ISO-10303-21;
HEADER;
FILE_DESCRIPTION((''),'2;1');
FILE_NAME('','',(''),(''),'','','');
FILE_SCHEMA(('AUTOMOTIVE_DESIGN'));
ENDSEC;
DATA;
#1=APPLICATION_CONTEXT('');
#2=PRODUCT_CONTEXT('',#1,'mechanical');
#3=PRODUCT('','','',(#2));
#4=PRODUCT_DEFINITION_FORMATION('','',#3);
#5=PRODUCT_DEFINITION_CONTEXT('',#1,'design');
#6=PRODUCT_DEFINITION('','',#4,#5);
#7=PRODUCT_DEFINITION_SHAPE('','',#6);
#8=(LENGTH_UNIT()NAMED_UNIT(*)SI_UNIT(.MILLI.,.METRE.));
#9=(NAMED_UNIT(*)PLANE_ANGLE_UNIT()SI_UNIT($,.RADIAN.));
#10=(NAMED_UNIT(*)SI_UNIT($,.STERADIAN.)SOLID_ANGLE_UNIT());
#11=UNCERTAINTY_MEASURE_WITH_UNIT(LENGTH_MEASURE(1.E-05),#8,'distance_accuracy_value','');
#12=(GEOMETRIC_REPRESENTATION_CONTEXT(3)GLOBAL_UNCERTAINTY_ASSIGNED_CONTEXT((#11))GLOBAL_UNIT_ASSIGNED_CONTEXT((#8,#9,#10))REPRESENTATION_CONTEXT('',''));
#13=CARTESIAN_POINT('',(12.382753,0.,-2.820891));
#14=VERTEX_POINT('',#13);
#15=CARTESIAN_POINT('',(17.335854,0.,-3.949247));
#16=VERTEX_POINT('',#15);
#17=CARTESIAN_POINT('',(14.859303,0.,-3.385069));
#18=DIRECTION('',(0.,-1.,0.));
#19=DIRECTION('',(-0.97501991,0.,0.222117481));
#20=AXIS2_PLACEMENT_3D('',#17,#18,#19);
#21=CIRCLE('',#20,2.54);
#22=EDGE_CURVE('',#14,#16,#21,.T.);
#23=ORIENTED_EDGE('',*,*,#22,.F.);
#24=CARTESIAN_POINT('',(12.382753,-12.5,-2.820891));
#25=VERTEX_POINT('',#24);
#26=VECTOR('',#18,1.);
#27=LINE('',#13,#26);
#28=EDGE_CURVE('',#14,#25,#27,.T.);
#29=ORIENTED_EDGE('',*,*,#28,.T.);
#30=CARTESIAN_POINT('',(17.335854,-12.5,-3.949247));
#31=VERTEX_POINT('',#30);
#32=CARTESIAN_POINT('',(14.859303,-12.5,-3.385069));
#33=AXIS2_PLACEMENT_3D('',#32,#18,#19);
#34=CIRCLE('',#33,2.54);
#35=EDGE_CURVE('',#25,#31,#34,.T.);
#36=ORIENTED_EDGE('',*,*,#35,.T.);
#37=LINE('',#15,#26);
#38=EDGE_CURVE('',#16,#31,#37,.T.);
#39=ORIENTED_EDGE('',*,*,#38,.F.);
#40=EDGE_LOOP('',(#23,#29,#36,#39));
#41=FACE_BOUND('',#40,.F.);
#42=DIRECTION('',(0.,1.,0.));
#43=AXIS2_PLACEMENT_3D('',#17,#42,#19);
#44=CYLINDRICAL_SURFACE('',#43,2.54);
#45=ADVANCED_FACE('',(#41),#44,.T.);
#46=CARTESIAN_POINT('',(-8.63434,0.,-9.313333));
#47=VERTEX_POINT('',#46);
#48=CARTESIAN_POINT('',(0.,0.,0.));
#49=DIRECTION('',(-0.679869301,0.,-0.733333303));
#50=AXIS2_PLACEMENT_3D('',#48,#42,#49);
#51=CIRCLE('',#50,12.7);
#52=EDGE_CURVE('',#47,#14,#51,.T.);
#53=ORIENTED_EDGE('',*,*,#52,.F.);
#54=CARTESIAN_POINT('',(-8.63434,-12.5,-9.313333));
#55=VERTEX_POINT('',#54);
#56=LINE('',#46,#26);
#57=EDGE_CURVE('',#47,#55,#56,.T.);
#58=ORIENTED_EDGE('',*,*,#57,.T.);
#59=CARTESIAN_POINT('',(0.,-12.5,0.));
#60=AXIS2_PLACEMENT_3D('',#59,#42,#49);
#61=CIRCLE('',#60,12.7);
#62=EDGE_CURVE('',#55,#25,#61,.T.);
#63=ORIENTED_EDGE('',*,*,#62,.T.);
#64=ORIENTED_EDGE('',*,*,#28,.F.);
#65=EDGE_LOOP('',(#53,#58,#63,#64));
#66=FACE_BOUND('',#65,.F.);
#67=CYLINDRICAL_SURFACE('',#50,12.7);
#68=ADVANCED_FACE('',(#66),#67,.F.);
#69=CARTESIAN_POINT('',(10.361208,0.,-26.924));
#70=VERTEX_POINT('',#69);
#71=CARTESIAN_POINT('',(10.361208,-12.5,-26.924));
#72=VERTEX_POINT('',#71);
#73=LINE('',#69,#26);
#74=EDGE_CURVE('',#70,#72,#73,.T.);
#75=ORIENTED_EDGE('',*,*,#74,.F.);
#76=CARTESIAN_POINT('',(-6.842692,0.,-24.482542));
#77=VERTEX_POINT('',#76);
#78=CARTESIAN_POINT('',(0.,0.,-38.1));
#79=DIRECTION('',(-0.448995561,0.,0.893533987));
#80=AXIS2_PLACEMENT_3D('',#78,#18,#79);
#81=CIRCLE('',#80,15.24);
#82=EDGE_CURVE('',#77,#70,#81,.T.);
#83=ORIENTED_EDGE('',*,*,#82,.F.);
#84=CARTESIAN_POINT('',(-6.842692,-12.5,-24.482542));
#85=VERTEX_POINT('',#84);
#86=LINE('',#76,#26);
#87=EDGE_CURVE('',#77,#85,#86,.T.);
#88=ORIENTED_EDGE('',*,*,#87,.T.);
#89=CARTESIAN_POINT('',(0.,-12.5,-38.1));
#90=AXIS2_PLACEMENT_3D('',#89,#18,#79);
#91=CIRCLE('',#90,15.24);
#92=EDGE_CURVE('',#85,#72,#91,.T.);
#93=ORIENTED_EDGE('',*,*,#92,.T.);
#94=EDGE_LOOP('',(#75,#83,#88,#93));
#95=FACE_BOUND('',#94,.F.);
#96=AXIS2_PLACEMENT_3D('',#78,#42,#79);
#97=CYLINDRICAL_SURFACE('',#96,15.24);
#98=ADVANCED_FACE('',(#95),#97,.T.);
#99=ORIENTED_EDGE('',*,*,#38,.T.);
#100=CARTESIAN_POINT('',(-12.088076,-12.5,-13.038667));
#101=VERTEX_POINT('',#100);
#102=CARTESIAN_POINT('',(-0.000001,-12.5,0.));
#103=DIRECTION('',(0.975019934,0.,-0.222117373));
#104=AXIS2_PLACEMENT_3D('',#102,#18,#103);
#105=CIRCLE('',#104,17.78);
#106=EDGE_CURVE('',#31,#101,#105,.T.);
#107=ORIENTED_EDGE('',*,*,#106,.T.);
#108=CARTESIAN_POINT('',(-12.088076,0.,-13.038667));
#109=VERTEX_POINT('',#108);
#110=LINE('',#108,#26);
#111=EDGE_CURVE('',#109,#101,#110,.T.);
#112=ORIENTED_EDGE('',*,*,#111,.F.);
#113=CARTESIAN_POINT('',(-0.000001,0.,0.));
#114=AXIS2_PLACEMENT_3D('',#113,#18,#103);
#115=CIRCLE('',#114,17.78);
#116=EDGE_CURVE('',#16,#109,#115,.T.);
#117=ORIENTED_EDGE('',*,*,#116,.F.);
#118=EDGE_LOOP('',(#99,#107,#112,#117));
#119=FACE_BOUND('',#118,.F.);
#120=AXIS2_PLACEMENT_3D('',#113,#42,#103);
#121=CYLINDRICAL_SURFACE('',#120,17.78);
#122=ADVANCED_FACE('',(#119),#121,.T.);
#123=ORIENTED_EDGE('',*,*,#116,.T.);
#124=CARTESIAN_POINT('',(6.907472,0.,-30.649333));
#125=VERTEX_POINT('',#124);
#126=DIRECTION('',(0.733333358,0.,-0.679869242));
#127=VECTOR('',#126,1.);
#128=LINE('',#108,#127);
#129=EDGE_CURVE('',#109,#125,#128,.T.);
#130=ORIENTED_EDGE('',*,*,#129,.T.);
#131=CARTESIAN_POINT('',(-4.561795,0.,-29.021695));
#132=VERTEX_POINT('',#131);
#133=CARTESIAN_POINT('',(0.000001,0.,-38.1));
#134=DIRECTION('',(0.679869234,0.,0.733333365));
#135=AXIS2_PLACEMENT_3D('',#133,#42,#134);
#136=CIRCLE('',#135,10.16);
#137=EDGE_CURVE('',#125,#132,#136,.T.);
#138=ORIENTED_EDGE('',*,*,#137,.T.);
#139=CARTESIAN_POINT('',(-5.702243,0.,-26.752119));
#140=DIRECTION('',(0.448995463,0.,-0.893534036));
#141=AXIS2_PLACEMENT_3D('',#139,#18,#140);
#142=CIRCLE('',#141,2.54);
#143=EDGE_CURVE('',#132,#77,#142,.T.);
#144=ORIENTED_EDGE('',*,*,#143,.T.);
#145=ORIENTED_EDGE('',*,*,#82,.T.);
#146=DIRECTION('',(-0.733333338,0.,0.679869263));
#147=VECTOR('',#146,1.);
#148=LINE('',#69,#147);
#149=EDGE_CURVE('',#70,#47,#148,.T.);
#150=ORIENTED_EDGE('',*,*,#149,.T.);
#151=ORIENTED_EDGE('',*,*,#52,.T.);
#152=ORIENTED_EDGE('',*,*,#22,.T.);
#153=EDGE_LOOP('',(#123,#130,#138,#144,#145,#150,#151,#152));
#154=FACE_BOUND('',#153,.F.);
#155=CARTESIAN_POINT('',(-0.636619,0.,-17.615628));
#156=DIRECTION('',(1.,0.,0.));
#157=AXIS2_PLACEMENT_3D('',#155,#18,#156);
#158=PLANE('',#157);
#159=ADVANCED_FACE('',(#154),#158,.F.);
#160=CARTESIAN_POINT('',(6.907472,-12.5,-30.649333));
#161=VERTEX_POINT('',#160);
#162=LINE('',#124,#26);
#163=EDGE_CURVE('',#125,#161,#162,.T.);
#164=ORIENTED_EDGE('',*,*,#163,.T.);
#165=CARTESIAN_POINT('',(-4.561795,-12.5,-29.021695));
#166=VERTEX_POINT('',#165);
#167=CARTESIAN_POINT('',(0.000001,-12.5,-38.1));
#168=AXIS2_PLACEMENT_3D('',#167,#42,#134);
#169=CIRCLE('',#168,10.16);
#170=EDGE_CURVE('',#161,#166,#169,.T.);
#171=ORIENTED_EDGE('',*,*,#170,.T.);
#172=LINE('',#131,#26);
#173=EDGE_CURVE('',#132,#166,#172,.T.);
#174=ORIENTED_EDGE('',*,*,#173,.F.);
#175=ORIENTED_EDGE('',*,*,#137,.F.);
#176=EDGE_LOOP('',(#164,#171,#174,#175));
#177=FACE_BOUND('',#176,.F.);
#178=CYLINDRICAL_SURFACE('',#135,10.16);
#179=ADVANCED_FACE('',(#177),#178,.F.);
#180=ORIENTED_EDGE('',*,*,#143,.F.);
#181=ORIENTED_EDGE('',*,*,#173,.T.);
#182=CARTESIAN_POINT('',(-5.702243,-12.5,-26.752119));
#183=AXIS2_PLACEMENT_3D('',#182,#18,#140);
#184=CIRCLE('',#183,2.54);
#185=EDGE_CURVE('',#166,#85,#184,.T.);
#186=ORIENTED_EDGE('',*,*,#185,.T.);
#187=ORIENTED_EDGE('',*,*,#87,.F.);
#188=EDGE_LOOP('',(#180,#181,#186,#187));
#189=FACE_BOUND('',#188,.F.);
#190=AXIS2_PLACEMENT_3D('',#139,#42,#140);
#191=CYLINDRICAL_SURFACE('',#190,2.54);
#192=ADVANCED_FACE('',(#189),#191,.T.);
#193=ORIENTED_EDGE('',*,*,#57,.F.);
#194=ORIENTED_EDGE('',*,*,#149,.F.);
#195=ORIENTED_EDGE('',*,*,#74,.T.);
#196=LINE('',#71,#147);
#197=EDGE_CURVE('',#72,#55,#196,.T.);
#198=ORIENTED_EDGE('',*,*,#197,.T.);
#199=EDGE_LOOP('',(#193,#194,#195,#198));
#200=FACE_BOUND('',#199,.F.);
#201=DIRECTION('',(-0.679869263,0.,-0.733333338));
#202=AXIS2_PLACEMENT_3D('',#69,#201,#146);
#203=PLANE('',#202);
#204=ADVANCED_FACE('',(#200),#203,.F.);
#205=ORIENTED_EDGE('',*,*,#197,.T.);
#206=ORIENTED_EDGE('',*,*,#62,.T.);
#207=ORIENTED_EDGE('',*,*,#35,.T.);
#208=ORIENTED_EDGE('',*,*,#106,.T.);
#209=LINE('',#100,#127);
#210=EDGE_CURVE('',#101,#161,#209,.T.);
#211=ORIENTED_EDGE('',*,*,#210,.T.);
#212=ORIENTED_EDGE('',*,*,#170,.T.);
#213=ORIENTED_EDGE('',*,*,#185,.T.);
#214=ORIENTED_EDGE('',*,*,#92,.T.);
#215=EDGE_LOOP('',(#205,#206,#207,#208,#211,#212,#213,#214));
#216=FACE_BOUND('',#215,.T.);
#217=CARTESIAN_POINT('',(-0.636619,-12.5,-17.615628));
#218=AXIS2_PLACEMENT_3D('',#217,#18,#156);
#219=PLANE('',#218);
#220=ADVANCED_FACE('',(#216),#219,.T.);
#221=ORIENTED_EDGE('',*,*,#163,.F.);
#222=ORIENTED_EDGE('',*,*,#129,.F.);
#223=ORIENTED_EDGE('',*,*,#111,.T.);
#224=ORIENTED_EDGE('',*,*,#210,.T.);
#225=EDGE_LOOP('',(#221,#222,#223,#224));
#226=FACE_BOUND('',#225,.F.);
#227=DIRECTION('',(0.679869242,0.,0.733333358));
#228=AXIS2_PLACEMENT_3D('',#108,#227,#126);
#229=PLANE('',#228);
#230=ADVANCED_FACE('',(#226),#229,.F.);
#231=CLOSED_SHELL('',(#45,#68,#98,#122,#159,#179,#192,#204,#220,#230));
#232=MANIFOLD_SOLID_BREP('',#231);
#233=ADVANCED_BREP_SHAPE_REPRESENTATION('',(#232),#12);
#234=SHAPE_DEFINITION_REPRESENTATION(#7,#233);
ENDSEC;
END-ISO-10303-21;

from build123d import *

# Parameters (mm, degrees)
F1_DEPTH = 12.5


with BuildPart() as f1:
    # F0 (on Front) → F1 (new body)
    with BuildSketch(Plane.XZ):
        with BuildLine():
            ThreePointArc((-8.63434, -9.313333), (-3.748413, 12.134224), (12.382753, -2.820891))
            ThreePointArc((12.382753, -2.820891), (14.295126, -5.86162), (17.335854, -3.949247))
            ThreePointArc((17.335854, -3.949247), (-5.247779, 16.987914), (-12.088076, -13.038667))
            Line((-12.088076, -13.038667), (6.907472, -30.649333))
            ThreePointArc((6.907472, -30.649333), (-1.427534, -48.159212), (-4.561795, -29.021695))
            ThreePointArc((-4.561795, -29.021695), (-3.432667, -25.61167), (-6.842692, -24.482542))
            ThreePointArc((-6.842692, -24.482542), (-2.1413, -53.188818), (10.361208, -26.924))
            Line((10.361208, -26.924), (-8.63434, -9.313333))
        make_face()
    extrude(amount=F1_DEPTH)


solid = f1.part
